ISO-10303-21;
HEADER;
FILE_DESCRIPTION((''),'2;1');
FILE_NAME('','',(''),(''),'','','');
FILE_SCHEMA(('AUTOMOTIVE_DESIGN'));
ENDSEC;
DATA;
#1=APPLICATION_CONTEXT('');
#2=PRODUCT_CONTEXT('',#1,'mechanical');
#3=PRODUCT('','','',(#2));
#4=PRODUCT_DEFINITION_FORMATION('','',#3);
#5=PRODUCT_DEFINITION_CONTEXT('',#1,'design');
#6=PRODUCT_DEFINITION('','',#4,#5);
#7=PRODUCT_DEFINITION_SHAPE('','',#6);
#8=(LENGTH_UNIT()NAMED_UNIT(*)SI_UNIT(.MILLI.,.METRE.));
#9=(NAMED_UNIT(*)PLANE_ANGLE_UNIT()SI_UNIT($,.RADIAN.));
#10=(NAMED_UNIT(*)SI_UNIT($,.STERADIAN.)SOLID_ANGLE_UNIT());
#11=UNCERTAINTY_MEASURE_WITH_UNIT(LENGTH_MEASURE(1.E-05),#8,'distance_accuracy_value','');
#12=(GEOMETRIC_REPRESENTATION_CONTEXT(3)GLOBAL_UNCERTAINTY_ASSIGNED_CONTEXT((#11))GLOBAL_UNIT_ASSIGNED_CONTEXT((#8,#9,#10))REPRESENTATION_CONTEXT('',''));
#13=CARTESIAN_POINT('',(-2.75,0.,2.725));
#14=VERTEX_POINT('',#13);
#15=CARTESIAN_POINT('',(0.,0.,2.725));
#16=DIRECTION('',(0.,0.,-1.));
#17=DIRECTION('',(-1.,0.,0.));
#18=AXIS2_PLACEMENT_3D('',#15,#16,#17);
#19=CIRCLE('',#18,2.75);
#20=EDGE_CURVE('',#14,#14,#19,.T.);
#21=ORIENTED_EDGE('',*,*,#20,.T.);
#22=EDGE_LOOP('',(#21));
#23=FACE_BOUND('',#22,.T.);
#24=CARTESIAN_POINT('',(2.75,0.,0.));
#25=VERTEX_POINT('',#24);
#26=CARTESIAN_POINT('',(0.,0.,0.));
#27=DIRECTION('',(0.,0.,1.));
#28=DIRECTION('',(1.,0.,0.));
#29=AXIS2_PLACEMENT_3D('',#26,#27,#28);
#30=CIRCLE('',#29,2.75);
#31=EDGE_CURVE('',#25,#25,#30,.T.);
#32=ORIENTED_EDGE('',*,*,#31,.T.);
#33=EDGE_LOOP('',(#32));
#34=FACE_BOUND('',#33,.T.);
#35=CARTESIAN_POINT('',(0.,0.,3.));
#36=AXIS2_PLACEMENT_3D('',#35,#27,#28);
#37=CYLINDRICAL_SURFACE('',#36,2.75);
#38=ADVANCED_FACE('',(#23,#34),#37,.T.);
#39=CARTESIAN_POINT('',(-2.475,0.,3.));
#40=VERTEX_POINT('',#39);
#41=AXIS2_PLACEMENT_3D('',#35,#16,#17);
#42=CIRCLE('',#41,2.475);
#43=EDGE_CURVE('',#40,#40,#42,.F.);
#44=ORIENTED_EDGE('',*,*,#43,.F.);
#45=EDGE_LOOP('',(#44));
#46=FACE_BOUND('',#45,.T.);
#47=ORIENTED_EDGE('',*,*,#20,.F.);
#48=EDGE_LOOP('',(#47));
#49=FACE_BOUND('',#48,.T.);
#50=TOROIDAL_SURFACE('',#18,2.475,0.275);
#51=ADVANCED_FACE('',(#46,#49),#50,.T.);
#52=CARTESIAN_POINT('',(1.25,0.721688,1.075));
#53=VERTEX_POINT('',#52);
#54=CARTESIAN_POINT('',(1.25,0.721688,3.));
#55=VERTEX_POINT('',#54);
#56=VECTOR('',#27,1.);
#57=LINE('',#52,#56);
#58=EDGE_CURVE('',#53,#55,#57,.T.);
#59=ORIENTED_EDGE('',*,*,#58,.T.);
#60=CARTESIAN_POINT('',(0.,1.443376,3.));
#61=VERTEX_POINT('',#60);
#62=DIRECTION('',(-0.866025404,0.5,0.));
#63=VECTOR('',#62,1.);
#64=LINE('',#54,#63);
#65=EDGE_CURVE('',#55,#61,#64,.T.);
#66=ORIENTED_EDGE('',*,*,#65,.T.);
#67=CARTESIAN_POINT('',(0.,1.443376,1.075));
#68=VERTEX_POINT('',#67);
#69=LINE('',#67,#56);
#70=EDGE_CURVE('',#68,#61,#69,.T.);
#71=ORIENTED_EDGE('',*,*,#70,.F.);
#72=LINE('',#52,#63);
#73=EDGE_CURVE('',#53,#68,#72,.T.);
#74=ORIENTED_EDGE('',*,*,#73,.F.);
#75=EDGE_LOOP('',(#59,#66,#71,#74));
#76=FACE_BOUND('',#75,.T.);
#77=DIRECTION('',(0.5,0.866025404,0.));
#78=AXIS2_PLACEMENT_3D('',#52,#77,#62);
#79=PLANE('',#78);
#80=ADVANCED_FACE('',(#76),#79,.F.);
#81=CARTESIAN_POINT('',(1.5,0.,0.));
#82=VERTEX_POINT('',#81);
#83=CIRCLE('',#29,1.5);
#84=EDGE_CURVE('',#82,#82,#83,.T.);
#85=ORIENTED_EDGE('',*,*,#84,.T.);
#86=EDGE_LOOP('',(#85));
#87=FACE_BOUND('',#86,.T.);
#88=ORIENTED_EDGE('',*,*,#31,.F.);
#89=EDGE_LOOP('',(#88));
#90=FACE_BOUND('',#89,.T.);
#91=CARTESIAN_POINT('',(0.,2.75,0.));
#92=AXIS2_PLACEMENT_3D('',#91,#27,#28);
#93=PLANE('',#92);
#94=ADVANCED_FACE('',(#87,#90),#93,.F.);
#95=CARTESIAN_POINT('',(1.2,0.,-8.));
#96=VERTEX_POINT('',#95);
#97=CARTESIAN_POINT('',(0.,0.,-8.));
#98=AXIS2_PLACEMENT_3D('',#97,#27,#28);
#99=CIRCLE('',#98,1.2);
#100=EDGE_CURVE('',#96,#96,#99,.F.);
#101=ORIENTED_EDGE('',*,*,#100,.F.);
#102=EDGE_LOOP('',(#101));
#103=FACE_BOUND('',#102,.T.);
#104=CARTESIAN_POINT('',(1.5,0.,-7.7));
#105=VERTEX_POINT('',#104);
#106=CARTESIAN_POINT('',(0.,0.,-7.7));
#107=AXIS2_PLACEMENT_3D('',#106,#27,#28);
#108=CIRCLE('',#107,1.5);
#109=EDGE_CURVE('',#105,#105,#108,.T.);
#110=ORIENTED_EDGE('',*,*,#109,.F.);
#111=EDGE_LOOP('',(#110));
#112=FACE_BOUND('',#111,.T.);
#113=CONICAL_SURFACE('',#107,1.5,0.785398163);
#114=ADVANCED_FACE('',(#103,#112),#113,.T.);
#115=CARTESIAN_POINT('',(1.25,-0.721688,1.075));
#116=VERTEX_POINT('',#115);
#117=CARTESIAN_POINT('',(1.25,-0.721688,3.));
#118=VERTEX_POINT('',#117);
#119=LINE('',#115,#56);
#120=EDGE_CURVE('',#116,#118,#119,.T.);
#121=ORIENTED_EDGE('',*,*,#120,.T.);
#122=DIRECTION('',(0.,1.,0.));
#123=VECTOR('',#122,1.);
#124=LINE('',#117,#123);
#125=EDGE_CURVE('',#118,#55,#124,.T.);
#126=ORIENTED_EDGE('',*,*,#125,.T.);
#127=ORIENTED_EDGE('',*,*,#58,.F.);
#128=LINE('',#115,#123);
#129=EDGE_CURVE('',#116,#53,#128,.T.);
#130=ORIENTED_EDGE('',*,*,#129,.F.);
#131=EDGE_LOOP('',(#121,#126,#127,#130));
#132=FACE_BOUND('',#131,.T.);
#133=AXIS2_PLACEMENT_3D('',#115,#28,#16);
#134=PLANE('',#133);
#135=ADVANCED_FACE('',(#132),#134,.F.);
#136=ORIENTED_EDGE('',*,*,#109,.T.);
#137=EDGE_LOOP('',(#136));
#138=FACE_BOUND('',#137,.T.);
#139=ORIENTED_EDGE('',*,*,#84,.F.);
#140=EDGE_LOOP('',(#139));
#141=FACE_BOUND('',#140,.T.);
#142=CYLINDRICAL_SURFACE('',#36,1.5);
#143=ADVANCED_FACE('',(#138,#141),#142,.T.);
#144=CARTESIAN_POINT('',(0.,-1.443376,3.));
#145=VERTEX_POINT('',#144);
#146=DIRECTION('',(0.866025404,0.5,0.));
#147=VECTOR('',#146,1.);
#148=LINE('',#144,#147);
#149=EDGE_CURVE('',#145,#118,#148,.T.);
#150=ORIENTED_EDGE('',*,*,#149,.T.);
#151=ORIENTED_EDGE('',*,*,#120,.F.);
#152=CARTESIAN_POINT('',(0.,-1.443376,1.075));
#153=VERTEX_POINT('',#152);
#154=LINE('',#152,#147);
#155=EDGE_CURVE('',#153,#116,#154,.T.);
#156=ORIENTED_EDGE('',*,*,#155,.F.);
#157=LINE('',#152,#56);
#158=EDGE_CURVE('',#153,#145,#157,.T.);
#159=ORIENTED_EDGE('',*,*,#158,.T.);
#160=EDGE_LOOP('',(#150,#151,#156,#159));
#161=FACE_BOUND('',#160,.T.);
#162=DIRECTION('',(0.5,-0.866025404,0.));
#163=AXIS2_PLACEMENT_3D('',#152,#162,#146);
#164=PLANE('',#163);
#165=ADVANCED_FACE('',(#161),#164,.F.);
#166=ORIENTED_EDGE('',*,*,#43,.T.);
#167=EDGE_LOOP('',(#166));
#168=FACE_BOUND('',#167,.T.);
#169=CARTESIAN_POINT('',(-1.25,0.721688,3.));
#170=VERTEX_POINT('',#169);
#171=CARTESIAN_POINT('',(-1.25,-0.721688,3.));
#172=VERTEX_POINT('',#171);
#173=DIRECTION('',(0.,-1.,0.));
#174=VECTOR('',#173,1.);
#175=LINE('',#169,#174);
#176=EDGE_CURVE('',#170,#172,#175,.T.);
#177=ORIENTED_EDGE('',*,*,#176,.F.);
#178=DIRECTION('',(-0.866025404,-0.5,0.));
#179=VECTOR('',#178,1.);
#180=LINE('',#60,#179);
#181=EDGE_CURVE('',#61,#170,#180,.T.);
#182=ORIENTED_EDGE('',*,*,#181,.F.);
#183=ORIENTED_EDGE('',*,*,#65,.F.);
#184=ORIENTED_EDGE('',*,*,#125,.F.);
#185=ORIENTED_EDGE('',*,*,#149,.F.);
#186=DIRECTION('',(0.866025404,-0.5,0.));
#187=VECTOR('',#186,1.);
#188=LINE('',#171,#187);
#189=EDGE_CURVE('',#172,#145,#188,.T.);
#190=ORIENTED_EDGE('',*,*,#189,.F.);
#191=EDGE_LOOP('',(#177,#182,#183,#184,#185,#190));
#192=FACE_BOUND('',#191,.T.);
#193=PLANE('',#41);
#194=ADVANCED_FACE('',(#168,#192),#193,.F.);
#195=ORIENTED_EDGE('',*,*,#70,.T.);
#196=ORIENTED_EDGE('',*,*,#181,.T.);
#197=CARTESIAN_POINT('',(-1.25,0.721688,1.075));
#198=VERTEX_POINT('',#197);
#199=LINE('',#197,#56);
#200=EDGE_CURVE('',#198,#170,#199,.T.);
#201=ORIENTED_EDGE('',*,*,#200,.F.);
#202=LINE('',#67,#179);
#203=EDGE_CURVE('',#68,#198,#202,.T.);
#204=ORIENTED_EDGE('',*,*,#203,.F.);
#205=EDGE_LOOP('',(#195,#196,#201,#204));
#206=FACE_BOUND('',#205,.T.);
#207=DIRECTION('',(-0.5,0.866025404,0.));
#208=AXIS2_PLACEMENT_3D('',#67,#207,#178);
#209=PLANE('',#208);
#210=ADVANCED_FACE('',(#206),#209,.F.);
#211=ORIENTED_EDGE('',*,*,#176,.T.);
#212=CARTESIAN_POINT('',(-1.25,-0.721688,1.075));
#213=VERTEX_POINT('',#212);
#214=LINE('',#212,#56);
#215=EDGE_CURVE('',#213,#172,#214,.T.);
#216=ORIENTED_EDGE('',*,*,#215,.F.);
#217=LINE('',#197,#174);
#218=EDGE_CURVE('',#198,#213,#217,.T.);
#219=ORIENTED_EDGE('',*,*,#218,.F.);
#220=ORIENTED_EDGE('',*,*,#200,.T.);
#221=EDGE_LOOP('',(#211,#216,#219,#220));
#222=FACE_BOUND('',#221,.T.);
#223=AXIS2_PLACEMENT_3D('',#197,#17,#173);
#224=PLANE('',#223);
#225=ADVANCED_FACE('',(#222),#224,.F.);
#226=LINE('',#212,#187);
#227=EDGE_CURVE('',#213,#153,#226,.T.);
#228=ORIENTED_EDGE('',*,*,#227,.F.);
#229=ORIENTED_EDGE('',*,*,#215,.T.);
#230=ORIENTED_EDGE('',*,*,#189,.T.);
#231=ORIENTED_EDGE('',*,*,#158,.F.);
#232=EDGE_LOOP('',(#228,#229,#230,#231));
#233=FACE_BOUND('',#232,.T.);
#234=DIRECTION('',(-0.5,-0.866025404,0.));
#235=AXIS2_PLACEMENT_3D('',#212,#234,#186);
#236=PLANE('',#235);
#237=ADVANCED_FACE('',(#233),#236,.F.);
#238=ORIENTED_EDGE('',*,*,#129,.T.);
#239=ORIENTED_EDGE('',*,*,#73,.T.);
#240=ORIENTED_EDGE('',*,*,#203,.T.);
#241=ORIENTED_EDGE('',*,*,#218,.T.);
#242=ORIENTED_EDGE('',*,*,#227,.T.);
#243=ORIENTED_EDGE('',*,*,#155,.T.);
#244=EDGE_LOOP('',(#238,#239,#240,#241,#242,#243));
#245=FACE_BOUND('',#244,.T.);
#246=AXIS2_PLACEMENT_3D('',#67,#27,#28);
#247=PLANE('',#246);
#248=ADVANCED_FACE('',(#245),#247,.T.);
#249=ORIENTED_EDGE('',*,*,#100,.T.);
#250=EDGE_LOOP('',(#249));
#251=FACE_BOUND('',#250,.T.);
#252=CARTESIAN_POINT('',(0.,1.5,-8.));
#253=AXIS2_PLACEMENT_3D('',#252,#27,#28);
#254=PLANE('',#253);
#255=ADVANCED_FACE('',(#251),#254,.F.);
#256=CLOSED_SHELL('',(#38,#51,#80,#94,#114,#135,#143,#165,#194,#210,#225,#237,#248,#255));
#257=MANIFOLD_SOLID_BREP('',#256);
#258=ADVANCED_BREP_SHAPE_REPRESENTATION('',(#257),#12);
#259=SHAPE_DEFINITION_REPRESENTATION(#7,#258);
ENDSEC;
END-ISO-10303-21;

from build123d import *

# Parameters (mm, degrees)
CUT_EXTRUDE_1_DEPTH = 1.925
FILLET_1_R          = 0.275
CHAMFER_1_SIZE      = 0.3


with BuildPart() as part:
    # 草图3 → 旋转1 (revolve)
    with BuildSketch(Plane(origin=(0, 0, 0), x_dir=(0, 0, -1), z_dir=(1, 0, 0)), mode=Mode.PRIVATE) as revolve_1_sk:
        Polygon((-3, 0), (-3, 2.75), (0, 2.75), (0, 1.5), (8, 1.5), (8, 0), align=None)
    revolve(revolve_1_sk.sketch.rotate(Axis((0, 0, 3), (0, 0, -1)), 90), axis=Axis((0, 0, 3), (0, 0, -1)))

    # 草图4 → 切除-拉伸1 (cut)
    with BuildSketch(Plane.XY.offset(3)):
        Polygon((0, 1.443375673), (-1.25, 0.721687836), (-1.25, -0.721687836), (0, -1.443375673), (1.25, -0.721687836), (1.25, 0.721687836), align=None)
    extrude(amount=-CUT_EXTRUDE_1_DEPTH, mode=Mode.SUBTRACT)

    # 圆角1
    fillet_1_edges = [part.edges().sort_by_distance(p)[0] for p in [
        (-2.75, 0, 3),
    ]]
    fillet(fillet_1_edges, radius=FILLET_1_R)

    # 倒角1
    chamfer_1_edges = [part.edges().sort_by_distance(p)[0] for p in [
        (-1.5, 0, -8),
    ]]
    chamfer(chamfer_1_edges, length=CHAMFER_1_SIZE)


solid = part.part
